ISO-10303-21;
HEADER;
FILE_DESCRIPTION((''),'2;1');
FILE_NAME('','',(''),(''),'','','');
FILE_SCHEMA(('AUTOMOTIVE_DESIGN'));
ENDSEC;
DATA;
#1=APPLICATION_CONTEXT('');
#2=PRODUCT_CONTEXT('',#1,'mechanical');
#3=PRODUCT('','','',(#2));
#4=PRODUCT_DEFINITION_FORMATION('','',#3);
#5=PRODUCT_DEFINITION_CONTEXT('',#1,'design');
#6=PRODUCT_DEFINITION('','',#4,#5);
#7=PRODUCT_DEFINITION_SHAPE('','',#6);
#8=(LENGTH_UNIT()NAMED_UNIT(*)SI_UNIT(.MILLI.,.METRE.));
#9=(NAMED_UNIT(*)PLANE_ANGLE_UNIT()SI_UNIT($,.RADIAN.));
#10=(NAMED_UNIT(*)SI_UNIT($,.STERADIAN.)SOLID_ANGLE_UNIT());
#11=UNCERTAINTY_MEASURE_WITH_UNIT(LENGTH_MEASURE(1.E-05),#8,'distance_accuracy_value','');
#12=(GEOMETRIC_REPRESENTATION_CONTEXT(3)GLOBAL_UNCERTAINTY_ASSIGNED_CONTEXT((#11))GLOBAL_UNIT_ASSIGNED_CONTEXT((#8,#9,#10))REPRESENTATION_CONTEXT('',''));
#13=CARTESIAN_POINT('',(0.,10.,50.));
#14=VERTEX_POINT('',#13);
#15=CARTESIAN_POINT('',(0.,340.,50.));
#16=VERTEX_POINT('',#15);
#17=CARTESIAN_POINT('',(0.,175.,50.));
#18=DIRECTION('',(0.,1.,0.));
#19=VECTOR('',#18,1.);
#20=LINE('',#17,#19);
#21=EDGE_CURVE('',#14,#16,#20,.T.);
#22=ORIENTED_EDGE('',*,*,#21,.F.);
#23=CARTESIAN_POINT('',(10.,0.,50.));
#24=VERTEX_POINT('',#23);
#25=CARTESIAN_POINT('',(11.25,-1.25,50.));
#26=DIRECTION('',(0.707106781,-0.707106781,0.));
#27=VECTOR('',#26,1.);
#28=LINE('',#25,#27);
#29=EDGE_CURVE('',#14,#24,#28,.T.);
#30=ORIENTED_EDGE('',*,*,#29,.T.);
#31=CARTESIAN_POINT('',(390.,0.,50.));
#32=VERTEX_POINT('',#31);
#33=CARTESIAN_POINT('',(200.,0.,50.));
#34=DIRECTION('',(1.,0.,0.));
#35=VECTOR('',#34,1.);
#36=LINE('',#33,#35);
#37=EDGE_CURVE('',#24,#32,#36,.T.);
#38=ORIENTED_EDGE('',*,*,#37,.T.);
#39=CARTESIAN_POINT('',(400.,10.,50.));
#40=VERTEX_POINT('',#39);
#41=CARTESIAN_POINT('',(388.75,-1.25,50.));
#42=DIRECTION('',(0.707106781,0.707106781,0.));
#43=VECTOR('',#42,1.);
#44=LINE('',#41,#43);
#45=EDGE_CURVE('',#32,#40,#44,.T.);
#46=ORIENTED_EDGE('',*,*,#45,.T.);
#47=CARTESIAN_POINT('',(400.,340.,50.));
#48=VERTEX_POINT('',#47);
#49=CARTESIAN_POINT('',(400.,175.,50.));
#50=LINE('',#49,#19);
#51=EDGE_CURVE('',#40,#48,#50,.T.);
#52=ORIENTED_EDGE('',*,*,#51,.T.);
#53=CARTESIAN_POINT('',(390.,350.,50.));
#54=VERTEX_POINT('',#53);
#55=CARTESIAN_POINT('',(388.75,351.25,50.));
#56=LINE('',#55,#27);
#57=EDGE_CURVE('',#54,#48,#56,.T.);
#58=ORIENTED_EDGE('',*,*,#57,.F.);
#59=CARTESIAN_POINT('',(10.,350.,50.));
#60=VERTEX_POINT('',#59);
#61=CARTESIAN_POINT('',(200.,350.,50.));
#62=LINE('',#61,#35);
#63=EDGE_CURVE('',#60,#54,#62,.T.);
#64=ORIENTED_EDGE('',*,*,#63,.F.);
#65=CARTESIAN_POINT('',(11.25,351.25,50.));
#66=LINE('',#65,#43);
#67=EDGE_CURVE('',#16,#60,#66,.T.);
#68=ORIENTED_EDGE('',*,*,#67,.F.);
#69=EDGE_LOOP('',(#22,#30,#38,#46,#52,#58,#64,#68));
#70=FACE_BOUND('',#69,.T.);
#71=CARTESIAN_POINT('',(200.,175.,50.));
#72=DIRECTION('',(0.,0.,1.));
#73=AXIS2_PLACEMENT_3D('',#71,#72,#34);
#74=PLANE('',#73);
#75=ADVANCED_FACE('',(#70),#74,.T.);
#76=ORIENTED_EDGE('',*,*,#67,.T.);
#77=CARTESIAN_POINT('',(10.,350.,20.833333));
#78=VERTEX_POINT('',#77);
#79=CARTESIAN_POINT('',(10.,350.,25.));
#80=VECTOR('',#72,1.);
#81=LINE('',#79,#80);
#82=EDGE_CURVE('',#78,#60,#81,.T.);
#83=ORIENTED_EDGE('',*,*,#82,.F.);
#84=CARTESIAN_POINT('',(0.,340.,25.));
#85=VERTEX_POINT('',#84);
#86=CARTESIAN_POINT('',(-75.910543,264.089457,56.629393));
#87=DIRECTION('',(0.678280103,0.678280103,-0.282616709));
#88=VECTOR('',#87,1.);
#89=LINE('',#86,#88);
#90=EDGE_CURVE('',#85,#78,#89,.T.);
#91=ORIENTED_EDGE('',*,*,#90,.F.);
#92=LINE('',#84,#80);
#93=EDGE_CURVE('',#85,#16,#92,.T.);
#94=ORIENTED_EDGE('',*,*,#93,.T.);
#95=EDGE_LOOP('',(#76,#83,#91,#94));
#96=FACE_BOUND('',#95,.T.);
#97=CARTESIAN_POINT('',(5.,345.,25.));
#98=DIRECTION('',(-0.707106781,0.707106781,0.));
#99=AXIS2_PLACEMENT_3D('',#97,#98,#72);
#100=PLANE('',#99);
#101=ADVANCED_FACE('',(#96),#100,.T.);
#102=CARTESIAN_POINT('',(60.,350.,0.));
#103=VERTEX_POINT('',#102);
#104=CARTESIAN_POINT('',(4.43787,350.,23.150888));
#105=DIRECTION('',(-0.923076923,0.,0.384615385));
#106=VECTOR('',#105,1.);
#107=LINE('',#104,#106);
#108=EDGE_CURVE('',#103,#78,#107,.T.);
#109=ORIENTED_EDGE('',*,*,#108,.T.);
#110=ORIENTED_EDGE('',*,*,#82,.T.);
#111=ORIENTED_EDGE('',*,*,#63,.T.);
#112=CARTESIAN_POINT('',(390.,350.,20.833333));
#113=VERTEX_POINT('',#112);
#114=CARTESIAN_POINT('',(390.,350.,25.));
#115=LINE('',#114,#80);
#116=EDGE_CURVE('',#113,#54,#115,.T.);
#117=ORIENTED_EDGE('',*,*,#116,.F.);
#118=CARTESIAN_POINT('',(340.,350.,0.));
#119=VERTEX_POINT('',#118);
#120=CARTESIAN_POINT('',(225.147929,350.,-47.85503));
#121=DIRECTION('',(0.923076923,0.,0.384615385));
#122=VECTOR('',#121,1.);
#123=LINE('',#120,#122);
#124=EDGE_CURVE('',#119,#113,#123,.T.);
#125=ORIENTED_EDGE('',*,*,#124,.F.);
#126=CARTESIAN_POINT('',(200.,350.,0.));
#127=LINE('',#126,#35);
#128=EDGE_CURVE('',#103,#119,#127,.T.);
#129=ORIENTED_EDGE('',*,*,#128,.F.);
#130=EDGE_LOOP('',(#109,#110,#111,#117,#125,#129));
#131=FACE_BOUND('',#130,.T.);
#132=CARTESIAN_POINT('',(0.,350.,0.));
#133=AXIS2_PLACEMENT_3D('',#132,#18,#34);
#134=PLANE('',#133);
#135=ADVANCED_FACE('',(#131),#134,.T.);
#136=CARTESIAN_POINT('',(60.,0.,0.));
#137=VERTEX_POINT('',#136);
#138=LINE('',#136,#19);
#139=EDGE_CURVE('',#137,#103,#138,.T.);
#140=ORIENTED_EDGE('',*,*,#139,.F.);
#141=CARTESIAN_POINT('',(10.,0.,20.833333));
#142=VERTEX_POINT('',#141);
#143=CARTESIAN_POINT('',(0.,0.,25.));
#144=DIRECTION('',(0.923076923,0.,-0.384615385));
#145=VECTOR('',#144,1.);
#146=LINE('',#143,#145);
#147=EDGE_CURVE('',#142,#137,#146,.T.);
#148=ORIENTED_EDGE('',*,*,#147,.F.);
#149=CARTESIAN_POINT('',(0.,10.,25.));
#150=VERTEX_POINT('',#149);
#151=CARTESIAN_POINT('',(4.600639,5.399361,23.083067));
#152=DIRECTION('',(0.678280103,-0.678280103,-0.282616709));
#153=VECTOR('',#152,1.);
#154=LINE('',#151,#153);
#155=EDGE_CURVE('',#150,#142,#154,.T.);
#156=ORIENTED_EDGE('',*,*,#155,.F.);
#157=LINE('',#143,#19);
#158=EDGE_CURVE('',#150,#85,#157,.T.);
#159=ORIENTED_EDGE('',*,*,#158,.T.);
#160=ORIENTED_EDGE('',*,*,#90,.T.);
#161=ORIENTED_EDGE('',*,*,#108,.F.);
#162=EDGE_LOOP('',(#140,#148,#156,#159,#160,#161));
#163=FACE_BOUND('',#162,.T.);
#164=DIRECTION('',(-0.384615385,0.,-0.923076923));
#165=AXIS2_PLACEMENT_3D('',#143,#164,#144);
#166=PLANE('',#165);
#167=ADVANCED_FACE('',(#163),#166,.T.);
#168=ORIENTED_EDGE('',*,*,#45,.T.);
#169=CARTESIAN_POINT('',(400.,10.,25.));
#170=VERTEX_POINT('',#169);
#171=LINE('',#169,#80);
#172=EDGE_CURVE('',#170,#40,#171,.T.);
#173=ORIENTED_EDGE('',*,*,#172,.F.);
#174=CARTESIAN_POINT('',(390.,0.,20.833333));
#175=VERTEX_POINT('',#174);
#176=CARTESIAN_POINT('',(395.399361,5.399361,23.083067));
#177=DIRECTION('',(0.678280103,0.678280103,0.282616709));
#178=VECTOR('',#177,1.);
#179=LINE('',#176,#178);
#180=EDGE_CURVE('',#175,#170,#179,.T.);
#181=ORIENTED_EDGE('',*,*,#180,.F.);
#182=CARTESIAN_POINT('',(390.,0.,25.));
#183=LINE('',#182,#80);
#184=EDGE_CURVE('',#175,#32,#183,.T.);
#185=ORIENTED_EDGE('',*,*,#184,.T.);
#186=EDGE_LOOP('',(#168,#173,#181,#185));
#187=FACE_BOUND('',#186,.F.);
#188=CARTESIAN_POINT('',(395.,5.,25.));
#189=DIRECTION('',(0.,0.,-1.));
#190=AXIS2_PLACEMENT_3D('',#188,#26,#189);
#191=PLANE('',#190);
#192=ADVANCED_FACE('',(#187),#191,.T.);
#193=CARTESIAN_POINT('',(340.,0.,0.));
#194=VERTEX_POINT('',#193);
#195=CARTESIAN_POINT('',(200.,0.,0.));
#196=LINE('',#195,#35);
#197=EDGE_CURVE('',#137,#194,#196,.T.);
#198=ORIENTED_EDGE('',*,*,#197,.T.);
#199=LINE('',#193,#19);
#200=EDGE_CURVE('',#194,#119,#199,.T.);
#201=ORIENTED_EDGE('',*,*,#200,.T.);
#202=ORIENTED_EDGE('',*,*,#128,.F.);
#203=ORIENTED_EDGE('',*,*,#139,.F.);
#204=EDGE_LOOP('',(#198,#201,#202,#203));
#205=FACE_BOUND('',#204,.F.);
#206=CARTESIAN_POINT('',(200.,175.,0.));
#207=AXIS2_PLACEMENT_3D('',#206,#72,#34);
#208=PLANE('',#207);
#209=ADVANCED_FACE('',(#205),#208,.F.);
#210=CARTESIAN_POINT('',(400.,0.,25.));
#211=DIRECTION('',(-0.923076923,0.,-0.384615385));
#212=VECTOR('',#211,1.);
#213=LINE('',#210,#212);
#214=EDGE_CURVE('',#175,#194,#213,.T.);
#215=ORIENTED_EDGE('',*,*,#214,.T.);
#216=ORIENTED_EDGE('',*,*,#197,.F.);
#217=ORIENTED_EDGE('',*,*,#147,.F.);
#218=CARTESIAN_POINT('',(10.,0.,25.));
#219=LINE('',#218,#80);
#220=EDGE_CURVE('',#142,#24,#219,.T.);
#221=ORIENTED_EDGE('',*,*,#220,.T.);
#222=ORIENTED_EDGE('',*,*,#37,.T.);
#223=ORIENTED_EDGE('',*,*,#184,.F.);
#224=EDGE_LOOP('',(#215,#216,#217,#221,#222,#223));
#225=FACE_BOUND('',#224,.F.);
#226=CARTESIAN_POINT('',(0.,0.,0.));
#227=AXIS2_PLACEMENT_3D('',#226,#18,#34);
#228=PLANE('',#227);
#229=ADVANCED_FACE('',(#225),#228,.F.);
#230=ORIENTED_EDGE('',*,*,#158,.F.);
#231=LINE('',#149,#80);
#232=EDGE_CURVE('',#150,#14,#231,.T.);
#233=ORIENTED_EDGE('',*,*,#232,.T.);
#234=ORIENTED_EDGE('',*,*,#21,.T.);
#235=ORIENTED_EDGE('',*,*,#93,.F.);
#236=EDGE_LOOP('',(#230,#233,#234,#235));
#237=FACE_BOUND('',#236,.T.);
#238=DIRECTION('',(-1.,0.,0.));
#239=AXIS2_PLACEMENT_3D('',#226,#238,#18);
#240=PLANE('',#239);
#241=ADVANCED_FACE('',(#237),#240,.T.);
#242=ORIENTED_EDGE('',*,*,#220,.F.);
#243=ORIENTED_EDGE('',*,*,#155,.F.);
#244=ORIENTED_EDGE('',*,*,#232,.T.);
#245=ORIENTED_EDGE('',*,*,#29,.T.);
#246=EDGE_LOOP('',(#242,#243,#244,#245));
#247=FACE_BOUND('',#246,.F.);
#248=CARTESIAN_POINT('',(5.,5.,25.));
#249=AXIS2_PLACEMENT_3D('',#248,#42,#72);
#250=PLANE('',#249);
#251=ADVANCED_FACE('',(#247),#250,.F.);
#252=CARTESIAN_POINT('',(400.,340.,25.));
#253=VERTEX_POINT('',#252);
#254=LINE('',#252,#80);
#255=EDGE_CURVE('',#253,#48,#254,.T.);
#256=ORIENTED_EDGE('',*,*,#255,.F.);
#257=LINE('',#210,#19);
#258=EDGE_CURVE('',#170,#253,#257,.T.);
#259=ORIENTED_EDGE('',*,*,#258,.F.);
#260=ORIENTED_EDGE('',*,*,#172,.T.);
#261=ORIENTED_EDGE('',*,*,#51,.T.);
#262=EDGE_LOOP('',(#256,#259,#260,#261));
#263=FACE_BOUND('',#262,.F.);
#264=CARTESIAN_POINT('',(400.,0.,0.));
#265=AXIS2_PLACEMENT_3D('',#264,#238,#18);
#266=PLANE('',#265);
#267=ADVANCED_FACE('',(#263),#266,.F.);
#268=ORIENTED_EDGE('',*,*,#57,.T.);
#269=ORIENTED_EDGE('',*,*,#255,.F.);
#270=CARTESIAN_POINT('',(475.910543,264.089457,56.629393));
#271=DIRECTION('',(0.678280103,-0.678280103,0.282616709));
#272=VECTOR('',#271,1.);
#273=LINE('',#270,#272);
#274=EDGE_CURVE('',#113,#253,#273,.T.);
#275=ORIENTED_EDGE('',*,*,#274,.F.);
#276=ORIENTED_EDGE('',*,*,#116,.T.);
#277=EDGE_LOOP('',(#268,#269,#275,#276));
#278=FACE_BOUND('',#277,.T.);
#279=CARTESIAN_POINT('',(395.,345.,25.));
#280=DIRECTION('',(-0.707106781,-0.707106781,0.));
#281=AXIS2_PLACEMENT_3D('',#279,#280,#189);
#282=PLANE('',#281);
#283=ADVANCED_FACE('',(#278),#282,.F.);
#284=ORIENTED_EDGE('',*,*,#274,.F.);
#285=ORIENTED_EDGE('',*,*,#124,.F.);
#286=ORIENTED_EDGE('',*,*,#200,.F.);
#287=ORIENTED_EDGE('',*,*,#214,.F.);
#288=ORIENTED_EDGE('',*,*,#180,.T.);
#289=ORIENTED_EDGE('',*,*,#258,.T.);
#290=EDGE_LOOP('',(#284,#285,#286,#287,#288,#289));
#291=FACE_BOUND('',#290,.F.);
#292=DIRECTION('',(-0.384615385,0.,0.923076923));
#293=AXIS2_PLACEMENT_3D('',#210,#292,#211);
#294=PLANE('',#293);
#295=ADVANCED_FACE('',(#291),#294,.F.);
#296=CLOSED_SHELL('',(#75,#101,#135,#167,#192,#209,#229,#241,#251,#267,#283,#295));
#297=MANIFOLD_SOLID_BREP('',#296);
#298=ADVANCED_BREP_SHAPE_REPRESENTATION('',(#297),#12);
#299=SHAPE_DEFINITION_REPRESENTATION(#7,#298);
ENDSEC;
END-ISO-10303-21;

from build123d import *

# Parameters (mm, degrees)
SKETCH_W     = 400
SKETCH_H     = 350
PAD_DEPTH    = 50
POCKET_DEPTH = 350.001
CHAMFER_SIZE = 10


with BuildPart() as part:
    # Sketch → Pad (new body)
    with BuildSketch(Plane.XY):
        with Locations((200, 175)):
            Rectangle(SKETCH_W, SKETCH_H)
    extrude(amount=PAD_DEPTH)

    # Sketch001 (on Face1 of Pad) → Pocket (cut, through all)
    with BuildSketch(Plane.XZ):
        Polygon((0, 25), (60, 0), (0, 0), align=None)
        Polygon((400, 25), (340, 0), (400, 0), align=None)
    extrude(amount=-POCKET_DEPTH, mode=Mode.SUBTRACT)

    # Chamfer
    chamfer_edges = [part.edges().sort_by_distance(p)[0] for p in [
        (400, 0, 37.5),
        (0, 0, 37.5),
        (400, 350, 37.5),
        (0, 350, 37.5),
    ]]
    chamfer(chamfer_edges, length=CHAMFER_SIZE)


solid = part.part
